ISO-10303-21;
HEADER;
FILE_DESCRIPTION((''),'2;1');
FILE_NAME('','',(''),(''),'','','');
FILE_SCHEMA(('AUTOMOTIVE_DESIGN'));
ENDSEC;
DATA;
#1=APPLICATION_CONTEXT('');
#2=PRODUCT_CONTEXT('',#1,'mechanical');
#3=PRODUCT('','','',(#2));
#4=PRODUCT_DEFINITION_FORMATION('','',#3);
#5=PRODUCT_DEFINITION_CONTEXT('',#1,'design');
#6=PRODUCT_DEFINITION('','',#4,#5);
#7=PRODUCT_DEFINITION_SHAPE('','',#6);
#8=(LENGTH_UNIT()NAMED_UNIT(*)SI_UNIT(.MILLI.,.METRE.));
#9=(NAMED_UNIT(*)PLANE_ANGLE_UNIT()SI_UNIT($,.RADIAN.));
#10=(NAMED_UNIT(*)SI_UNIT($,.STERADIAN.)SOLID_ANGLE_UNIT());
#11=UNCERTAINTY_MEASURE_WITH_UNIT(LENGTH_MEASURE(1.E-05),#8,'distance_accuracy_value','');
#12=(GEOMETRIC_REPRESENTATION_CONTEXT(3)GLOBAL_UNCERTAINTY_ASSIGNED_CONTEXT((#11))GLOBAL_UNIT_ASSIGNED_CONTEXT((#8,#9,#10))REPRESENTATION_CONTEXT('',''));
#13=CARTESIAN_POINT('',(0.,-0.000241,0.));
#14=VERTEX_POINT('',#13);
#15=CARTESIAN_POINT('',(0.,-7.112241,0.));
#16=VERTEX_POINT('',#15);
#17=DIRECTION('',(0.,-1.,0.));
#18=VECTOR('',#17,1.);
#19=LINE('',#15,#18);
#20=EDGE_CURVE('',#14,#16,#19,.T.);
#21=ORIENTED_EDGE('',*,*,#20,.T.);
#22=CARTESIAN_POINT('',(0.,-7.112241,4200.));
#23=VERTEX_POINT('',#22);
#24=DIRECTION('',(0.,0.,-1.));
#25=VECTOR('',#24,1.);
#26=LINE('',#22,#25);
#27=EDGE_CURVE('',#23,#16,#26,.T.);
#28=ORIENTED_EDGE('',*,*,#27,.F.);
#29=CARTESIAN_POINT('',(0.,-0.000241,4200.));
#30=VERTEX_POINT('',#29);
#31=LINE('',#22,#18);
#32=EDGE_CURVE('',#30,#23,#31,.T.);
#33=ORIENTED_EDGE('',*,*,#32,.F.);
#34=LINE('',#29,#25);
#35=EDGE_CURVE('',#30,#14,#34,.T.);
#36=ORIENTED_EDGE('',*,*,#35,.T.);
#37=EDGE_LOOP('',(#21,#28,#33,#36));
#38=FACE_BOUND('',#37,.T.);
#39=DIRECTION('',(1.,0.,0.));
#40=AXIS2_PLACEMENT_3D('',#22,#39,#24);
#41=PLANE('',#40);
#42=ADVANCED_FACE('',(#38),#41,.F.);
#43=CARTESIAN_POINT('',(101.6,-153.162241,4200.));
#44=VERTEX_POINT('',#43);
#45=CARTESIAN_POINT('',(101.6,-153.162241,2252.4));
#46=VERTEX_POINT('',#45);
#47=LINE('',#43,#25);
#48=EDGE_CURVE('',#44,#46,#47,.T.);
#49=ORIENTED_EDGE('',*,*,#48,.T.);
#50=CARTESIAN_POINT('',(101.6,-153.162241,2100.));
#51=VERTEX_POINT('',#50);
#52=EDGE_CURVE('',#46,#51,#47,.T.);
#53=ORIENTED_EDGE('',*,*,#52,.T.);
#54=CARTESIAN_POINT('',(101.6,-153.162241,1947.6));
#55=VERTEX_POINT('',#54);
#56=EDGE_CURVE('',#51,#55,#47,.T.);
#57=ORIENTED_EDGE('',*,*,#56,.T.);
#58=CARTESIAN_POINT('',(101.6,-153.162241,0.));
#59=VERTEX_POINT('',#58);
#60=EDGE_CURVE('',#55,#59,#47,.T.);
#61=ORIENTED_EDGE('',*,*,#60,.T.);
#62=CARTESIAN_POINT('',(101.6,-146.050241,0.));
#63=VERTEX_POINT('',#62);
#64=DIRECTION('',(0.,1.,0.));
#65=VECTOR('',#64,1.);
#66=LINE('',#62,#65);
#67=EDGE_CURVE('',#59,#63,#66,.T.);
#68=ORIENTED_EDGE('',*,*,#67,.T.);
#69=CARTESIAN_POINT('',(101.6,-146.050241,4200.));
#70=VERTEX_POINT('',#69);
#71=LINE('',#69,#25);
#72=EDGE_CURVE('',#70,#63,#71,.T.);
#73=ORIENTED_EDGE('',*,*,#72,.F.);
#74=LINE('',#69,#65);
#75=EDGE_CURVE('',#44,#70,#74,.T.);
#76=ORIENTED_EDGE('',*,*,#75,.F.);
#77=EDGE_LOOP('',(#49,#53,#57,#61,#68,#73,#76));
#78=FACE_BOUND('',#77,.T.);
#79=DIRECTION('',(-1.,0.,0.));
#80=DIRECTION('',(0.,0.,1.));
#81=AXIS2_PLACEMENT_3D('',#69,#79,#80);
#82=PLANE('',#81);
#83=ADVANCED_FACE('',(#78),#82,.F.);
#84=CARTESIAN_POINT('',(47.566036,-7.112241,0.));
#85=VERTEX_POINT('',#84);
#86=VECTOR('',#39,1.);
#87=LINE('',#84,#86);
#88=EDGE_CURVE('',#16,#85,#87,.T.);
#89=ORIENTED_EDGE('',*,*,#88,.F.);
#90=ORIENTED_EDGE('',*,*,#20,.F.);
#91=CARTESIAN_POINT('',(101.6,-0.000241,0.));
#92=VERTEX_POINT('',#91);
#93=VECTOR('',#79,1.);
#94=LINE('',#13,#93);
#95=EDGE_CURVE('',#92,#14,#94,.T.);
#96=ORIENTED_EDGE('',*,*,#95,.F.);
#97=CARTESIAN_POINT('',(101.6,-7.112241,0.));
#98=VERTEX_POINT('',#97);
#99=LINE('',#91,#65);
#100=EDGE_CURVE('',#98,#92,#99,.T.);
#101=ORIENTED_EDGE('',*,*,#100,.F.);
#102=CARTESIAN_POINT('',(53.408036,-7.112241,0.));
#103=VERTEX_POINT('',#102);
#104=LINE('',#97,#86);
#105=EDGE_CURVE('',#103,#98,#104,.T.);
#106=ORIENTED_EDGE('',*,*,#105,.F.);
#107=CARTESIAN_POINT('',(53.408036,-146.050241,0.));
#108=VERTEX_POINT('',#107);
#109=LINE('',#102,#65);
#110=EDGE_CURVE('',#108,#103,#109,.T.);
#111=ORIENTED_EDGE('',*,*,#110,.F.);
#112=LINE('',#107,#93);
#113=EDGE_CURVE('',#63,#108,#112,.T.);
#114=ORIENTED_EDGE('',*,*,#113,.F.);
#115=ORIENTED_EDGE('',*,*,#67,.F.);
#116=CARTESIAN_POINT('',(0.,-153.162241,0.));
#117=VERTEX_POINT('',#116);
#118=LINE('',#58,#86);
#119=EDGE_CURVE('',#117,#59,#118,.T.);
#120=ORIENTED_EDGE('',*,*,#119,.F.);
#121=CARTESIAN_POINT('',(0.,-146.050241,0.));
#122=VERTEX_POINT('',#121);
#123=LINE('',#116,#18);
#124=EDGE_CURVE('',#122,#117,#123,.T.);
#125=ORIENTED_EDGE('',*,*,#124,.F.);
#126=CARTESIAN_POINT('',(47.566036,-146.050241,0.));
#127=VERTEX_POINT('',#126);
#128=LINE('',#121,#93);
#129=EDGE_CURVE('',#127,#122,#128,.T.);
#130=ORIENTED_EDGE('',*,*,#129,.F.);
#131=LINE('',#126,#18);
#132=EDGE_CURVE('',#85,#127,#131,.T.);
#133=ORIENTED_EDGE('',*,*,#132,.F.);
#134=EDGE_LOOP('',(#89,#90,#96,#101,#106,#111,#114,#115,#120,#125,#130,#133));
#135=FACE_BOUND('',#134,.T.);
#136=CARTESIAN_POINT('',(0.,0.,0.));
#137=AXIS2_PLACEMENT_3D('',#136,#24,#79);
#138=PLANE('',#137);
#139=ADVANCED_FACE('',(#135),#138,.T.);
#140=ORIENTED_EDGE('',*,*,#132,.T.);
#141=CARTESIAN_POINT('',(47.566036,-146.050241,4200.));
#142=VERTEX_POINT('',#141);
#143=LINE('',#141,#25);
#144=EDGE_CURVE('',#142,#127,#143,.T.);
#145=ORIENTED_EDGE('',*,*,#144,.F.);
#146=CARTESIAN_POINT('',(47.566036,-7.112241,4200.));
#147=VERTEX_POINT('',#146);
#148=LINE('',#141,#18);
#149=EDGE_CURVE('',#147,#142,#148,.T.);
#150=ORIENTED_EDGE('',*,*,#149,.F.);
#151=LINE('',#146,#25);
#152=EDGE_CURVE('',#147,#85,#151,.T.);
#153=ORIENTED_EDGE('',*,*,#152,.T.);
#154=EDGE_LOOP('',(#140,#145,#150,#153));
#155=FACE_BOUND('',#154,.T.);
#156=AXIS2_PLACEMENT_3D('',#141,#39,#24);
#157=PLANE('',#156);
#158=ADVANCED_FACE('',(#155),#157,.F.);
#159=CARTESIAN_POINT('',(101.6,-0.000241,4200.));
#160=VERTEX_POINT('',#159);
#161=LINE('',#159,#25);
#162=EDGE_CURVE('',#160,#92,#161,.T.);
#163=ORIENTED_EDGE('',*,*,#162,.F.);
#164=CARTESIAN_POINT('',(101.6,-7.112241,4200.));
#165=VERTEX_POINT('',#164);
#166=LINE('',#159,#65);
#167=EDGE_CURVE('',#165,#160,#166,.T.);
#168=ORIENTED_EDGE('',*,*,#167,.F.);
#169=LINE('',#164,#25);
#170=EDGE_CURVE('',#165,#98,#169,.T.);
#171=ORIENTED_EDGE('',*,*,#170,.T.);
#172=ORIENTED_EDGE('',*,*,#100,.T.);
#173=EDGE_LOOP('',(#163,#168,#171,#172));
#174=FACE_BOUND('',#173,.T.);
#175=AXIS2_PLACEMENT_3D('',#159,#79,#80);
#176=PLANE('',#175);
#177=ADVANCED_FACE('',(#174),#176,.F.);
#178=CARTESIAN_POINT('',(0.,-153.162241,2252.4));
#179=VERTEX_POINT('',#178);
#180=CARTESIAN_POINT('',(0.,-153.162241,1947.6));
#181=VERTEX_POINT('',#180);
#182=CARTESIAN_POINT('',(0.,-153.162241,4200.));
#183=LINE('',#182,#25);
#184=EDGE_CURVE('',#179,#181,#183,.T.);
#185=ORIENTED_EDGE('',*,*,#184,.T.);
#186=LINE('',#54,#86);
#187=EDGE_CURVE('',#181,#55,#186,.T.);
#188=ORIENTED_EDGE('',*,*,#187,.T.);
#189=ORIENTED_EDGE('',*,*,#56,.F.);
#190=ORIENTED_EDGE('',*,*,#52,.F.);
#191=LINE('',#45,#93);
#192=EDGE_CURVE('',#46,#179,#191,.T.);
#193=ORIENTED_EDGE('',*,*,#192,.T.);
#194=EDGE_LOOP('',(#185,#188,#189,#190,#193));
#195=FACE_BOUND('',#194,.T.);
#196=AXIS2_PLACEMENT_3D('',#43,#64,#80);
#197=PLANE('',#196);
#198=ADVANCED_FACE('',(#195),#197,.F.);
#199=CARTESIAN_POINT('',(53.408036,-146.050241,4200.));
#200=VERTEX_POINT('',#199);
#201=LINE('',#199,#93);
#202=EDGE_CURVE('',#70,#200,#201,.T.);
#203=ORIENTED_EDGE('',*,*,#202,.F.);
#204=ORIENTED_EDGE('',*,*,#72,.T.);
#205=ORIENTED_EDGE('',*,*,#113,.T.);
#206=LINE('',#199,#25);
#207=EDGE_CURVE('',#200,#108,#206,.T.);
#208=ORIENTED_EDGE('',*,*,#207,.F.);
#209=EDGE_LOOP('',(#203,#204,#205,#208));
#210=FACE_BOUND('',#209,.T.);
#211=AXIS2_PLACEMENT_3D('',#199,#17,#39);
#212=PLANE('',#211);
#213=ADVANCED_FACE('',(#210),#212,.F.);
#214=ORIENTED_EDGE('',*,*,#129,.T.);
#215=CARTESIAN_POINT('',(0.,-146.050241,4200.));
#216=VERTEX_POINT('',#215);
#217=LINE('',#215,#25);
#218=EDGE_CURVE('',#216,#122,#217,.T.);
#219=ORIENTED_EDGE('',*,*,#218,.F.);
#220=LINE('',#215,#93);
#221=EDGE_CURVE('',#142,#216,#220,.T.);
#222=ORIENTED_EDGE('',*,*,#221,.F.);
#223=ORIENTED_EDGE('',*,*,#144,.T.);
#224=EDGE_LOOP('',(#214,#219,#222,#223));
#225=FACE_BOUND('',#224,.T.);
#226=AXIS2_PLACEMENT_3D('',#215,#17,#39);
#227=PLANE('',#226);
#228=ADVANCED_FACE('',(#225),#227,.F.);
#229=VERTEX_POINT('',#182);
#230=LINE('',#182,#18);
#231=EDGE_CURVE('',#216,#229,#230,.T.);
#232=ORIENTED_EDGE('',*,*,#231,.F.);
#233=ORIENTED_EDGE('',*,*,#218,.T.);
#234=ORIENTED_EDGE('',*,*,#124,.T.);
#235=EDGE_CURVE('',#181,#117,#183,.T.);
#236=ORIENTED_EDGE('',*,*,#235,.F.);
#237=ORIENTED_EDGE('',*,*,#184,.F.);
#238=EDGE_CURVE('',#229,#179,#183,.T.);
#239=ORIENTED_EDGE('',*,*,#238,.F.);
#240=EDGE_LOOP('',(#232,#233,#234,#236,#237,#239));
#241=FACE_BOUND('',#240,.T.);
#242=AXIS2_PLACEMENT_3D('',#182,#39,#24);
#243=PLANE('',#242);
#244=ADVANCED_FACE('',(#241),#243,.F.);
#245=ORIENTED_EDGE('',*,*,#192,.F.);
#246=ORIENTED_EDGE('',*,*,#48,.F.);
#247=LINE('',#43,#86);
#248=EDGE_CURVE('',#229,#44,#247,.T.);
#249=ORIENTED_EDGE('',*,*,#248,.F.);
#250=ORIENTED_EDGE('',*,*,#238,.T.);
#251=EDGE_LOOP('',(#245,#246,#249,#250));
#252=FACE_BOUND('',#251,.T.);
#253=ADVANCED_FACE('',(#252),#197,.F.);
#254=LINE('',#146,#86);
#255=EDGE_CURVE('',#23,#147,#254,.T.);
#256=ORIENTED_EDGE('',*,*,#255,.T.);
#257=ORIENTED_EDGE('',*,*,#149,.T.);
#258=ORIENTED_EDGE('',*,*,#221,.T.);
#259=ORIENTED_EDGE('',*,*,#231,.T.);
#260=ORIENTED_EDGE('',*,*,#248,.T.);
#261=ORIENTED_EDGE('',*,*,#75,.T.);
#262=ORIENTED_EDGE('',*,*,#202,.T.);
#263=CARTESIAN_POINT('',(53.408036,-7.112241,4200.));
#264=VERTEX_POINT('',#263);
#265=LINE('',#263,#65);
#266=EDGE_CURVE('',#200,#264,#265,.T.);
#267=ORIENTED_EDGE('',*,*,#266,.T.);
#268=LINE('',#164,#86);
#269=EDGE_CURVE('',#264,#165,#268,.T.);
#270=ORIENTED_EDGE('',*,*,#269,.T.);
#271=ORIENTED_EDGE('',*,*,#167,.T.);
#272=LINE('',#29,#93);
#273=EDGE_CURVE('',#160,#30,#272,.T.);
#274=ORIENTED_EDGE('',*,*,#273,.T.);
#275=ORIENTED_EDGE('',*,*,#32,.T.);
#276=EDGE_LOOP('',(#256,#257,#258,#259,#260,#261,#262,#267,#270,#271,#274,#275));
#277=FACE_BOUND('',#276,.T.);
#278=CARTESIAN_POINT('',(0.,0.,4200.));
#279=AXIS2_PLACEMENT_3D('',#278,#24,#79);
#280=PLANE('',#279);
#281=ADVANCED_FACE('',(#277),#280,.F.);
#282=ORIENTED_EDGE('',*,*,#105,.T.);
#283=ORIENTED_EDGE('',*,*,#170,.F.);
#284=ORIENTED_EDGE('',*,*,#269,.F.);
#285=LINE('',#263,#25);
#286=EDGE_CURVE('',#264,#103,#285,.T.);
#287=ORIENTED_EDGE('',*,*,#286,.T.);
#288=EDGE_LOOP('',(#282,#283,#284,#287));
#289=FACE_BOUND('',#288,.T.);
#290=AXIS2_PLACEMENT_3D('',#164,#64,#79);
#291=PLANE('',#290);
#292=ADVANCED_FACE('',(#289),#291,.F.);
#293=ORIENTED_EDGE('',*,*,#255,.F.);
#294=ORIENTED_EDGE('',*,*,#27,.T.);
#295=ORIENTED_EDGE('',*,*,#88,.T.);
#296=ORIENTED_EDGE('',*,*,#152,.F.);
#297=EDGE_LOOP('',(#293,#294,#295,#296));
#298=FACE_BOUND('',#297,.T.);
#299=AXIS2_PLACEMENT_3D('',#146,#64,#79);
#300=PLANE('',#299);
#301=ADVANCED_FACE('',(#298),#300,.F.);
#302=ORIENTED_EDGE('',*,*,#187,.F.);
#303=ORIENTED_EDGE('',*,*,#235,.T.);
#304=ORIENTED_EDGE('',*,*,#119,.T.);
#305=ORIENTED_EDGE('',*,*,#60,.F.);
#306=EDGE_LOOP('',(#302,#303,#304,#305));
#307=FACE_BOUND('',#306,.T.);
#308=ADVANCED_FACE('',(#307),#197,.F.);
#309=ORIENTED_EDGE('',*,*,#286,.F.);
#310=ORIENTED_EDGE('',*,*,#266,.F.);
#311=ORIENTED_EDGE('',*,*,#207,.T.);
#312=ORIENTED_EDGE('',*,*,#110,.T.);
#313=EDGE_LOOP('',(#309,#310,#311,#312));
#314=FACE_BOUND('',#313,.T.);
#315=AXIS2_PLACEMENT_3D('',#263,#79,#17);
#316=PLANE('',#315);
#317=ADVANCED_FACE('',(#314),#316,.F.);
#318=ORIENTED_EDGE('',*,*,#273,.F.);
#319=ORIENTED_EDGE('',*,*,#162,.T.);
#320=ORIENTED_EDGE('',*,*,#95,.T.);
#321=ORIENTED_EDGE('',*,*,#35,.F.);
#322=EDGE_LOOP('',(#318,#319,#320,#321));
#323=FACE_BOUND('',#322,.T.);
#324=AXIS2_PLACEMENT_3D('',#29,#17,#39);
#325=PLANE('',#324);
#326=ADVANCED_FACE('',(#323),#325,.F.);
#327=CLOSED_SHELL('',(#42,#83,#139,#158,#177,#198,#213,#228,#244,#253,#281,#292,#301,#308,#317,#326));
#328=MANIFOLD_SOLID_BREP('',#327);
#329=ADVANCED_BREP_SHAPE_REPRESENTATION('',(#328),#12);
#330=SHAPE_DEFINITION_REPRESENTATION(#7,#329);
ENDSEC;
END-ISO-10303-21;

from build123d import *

# Parameters (mm, degrees)
BOSS_EXTRUDE1_DEPTH = 4200


with BuildPart() as part:
    # Sketch1 → Boss-Extrude1 (new body)
    with BuildSketch(Plane.XY):
        Polygon((0, -0.000240533), (101.6, -0.000240533), (101.6, -7.112240533), (53.408035714, -7.112240533), (53.408035714, -146.050240533), (101.6, -146.050240533), (101.6, -153.162240533), (0, -153.162240533), (0, -146.050240533), (47.566035714, -146.050240533), (47.566035714, -7.112240533), (0, -7.112240533), align=None)
    extrude(amount=BOSS_EXTRUDE1_DEPTH)


solid = part.part
